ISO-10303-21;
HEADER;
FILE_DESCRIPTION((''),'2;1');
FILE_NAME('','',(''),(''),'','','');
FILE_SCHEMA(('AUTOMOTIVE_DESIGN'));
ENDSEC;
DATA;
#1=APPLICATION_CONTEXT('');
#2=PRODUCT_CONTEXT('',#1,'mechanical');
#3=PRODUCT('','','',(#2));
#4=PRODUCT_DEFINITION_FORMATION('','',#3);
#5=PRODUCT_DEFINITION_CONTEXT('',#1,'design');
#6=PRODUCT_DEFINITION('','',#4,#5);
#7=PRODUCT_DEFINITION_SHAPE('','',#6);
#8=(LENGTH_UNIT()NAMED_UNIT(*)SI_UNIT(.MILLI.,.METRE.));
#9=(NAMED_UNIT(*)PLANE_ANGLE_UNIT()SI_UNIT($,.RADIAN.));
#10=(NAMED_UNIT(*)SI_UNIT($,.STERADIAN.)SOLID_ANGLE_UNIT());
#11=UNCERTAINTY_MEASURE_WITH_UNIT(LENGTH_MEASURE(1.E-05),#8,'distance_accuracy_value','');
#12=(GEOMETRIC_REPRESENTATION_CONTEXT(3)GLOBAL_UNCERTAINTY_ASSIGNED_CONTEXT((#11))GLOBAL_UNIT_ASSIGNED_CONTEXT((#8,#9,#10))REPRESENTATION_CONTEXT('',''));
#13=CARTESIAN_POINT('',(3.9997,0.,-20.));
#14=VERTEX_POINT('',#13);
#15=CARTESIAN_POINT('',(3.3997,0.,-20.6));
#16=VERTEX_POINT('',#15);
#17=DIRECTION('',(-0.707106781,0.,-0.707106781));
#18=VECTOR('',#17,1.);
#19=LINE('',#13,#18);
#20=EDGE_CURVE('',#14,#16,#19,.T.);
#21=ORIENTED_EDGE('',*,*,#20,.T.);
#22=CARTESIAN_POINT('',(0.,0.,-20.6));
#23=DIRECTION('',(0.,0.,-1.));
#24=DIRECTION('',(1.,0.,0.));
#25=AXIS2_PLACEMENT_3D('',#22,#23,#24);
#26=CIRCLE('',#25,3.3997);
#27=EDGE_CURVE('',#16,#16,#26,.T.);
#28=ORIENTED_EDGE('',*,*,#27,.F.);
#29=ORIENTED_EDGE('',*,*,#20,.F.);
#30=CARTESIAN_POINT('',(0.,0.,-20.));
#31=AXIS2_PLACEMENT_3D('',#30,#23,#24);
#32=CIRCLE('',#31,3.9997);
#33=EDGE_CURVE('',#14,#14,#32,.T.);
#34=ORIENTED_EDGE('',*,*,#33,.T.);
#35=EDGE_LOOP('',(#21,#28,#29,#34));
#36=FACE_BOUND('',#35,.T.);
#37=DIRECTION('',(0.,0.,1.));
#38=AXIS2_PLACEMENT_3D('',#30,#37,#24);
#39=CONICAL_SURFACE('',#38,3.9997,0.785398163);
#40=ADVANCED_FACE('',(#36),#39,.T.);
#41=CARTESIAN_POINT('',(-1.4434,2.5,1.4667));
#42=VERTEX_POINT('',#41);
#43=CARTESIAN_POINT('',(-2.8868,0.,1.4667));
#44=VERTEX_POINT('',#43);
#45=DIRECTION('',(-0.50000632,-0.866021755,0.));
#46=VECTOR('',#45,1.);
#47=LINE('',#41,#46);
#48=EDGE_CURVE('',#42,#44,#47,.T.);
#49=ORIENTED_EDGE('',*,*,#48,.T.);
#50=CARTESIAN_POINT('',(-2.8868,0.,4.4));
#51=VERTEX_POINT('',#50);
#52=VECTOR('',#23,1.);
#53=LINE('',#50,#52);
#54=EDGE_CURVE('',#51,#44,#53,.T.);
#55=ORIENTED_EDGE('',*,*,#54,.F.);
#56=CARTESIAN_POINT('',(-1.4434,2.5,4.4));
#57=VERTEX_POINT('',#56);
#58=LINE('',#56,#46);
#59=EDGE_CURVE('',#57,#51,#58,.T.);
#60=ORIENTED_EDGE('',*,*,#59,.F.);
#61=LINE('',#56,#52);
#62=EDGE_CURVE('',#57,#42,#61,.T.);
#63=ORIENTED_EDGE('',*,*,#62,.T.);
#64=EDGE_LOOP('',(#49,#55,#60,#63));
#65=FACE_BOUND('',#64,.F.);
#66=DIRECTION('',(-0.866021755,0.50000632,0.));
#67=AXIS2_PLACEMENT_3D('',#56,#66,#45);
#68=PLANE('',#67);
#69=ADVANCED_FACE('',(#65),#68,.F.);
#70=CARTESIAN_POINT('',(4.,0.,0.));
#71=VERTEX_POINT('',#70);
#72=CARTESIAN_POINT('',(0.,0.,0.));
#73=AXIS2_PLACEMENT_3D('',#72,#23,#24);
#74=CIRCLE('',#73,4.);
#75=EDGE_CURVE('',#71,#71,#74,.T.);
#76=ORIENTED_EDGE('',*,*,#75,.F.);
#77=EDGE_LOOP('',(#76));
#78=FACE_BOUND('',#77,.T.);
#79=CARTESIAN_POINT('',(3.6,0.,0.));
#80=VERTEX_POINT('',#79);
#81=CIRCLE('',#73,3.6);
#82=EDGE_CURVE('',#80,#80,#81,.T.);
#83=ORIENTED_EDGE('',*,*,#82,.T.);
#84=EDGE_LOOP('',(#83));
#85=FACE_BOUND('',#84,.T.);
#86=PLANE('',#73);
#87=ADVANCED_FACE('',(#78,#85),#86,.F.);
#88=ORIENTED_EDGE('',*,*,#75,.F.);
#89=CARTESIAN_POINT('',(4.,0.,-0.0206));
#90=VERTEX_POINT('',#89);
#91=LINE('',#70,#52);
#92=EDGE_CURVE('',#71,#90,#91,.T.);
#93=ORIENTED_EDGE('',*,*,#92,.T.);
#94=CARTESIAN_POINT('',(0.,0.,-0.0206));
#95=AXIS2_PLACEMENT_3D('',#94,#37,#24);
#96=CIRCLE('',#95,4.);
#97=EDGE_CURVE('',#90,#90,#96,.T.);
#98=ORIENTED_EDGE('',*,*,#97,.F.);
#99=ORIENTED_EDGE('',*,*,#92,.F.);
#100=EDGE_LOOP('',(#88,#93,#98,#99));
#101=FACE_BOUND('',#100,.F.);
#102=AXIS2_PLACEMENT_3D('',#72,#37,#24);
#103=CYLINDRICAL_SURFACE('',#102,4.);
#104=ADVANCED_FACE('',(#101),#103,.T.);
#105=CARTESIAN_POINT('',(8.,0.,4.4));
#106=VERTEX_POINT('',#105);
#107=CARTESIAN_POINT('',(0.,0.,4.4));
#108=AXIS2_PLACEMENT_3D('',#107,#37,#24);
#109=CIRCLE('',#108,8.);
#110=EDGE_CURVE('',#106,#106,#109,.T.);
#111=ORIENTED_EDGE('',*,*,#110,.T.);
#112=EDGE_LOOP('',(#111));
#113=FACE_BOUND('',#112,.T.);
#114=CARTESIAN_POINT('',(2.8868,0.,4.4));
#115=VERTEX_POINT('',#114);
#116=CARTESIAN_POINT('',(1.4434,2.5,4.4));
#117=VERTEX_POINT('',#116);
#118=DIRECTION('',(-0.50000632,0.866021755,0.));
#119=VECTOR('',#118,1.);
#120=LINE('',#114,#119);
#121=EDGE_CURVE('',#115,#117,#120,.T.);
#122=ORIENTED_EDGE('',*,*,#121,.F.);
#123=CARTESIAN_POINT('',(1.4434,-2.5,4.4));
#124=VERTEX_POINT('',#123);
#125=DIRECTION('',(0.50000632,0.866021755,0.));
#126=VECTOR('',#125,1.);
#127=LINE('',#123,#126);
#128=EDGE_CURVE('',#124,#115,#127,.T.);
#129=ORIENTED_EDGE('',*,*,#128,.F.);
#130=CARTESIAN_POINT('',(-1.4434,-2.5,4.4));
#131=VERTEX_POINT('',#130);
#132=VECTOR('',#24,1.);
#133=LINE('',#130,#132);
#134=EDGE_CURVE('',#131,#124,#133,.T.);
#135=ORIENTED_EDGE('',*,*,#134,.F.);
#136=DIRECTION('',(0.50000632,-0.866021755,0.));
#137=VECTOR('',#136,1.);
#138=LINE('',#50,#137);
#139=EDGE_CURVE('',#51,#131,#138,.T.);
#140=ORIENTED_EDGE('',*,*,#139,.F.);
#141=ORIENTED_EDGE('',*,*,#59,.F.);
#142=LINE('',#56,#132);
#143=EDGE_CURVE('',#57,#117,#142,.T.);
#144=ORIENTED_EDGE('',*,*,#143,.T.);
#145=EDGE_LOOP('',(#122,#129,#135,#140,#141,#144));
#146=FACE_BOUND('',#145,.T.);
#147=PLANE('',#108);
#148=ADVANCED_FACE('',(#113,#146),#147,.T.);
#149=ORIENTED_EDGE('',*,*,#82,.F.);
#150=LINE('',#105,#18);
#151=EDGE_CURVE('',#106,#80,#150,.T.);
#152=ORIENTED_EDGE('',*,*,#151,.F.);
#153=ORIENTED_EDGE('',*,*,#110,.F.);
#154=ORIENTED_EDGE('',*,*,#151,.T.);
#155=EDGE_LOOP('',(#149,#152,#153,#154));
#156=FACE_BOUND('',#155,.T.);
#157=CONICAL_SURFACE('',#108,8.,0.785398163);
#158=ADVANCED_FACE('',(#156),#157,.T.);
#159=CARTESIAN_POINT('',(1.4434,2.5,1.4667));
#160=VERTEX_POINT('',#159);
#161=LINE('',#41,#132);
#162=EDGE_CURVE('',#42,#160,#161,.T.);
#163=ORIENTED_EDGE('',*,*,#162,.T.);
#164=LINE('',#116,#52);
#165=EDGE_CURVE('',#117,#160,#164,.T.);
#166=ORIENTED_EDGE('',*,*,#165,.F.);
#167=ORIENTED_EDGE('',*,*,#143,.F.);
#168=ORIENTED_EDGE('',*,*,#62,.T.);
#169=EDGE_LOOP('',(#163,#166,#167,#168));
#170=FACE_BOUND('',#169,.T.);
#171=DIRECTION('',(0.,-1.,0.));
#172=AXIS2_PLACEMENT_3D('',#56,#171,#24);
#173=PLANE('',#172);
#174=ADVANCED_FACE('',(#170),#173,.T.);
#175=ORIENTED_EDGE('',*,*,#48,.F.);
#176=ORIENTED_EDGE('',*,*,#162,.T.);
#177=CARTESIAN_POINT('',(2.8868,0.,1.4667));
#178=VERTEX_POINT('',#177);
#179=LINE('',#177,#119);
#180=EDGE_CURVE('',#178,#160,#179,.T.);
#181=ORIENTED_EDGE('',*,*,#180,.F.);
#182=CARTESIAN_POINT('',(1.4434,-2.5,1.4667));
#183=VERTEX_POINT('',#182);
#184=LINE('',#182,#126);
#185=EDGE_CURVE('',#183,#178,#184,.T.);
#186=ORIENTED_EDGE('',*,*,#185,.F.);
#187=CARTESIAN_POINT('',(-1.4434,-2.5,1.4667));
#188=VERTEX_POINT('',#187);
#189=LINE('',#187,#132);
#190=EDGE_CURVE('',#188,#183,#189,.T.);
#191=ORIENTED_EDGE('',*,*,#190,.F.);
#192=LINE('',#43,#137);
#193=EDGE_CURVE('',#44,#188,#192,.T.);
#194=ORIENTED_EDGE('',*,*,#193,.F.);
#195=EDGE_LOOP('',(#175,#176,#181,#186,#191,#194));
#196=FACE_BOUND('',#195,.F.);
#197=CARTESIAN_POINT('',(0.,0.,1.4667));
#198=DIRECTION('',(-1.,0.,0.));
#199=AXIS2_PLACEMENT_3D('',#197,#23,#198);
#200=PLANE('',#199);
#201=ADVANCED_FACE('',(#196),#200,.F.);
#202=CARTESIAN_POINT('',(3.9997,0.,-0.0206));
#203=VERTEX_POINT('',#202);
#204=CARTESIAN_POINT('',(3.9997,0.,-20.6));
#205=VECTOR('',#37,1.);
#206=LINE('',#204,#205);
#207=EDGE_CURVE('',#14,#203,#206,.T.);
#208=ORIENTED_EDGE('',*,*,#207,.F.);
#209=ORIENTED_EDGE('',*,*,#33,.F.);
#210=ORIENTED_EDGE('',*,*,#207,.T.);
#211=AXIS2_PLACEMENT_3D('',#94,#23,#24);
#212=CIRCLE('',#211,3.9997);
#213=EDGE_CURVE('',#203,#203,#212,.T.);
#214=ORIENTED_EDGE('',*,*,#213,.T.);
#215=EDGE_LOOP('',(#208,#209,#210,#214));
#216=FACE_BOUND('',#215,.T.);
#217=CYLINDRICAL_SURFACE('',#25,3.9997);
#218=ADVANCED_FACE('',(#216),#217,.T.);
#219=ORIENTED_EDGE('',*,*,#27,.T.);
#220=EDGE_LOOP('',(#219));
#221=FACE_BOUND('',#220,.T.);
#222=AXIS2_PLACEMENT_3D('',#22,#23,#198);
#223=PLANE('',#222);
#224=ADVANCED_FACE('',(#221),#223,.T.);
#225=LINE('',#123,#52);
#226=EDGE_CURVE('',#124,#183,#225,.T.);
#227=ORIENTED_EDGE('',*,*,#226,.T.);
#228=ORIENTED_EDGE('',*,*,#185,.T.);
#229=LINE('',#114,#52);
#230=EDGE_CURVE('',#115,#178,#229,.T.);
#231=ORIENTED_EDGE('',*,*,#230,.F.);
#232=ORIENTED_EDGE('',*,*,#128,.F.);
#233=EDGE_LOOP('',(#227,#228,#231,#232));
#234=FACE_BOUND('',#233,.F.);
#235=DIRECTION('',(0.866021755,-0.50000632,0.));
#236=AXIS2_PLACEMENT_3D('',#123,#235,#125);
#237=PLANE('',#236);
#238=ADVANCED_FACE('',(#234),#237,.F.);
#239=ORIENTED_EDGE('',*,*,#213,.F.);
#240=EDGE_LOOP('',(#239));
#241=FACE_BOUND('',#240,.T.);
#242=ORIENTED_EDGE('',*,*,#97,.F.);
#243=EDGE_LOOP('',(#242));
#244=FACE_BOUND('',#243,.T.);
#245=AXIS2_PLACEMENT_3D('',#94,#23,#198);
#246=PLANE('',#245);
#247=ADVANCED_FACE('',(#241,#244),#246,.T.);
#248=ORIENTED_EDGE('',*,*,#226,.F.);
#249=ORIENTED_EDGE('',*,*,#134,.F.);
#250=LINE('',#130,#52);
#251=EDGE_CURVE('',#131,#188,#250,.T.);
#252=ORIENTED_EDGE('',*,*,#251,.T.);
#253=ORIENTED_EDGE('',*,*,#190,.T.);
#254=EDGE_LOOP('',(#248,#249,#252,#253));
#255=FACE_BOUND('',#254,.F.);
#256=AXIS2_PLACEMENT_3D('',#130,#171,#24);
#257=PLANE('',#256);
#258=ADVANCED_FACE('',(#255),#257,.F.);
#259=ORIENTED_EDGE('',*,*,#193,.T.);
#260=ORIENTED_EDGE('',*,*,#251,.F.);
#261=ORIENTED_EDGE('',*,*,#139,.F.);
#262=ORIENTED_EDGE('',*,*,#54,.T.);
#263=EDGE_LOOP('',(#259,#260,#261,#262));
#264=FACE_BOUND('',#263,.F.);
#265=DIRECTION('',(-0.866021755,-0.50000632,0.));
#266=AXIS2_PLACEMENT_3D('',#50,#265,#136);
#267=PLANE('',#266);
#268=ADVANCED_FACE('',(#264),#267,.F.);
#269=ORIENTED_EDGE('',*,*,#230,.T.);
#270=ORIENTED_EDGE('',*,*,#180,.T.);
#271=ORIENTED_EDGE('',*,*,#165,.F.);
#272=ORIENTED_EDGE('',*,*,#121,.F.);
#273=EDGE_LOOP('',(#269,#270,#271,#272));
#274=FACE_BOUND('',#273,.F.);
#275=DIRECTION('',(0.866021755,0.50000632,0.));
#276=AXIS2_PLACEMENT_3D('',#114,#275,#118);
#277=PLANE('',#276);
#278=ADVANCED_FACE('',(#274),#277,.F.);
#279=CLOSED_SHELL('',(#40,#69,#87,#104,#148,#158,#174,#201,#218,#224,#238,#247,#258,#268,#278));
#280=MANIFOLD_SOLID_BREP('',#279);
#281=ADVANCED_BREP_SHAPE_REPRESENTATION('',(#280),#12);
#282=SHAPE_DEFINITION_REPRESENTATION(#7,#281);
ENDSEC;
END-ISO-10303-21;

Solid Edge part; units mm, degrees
sketch "Sketch1" plane through (0, 0, 0) normal (0, 0, 1) x (1, 0, 0)
  circle A0 centre (0, 0) radius 8
  dimension "D1" = 16
extrude "Protrusion1" add sketch "Sketch1" along normal blind 4.4
sketch "Sketch2" plane through (0, 0, 0) normal (0, 0, -1) x (1, 0, 0)
  circle A0 centre (0, 0) radius 4
extrude "Protrusion2" add sketch "Sketch2" along normal blind 20.6
sketch "Sketch3" plane through (0, 0, -20.6) normal (0, 0, -1) x (1, 0, 0)
  circle A0 centre (0, 0) radius 3.9997
extrude "Cutout1" cut sketch "Sketch3" against normal blind 20.5794 flip side to cut
chamfer "Chamfer_1" distance 0.6 angle 45 1 edges at (-3.9997, 0, -20.6)
sketch "Sketch4" plane through (0, 0, 4.4) normal (0, 0, 1) x (1, 0, 0)
  line L0 (-1.4434, 2.5) -> (1.4434, 2.5)
  line L1 (2.8868, 0) -> (1.4434, 2.5)
  line L2 (1.4434, -2.5) -> (2.8868, 0)
  line L3 (-1.4434, -2.5) -> (1.4434, -2.5)
  line L4 (-2.8868, 0) -> (-1.4434, -2.5)
  line L5 (-1.4434, 2.5) -> (-2.8868, 0)
  dimension "D1" = 5
extrude "Cutout2" cut sketch "Sketch4" against normal blind 2.9333
sketch "Sketch5" plane through (0, 0, 0) normal (0, -1, 0) x (1, 0, 0)
  line L0 (8, 4.4) -> (3.6, 0)
  line L1 (3.6, 0) -> (8, 0)
  line L2 (8, 0) -> (8, 4.4)
revolve "RevolvedCutout1" cut sketch "Sketch5" angle 360 about axis through (0, 0, 14.0017) along (0, 0, -1)
properties part number "24109075"
